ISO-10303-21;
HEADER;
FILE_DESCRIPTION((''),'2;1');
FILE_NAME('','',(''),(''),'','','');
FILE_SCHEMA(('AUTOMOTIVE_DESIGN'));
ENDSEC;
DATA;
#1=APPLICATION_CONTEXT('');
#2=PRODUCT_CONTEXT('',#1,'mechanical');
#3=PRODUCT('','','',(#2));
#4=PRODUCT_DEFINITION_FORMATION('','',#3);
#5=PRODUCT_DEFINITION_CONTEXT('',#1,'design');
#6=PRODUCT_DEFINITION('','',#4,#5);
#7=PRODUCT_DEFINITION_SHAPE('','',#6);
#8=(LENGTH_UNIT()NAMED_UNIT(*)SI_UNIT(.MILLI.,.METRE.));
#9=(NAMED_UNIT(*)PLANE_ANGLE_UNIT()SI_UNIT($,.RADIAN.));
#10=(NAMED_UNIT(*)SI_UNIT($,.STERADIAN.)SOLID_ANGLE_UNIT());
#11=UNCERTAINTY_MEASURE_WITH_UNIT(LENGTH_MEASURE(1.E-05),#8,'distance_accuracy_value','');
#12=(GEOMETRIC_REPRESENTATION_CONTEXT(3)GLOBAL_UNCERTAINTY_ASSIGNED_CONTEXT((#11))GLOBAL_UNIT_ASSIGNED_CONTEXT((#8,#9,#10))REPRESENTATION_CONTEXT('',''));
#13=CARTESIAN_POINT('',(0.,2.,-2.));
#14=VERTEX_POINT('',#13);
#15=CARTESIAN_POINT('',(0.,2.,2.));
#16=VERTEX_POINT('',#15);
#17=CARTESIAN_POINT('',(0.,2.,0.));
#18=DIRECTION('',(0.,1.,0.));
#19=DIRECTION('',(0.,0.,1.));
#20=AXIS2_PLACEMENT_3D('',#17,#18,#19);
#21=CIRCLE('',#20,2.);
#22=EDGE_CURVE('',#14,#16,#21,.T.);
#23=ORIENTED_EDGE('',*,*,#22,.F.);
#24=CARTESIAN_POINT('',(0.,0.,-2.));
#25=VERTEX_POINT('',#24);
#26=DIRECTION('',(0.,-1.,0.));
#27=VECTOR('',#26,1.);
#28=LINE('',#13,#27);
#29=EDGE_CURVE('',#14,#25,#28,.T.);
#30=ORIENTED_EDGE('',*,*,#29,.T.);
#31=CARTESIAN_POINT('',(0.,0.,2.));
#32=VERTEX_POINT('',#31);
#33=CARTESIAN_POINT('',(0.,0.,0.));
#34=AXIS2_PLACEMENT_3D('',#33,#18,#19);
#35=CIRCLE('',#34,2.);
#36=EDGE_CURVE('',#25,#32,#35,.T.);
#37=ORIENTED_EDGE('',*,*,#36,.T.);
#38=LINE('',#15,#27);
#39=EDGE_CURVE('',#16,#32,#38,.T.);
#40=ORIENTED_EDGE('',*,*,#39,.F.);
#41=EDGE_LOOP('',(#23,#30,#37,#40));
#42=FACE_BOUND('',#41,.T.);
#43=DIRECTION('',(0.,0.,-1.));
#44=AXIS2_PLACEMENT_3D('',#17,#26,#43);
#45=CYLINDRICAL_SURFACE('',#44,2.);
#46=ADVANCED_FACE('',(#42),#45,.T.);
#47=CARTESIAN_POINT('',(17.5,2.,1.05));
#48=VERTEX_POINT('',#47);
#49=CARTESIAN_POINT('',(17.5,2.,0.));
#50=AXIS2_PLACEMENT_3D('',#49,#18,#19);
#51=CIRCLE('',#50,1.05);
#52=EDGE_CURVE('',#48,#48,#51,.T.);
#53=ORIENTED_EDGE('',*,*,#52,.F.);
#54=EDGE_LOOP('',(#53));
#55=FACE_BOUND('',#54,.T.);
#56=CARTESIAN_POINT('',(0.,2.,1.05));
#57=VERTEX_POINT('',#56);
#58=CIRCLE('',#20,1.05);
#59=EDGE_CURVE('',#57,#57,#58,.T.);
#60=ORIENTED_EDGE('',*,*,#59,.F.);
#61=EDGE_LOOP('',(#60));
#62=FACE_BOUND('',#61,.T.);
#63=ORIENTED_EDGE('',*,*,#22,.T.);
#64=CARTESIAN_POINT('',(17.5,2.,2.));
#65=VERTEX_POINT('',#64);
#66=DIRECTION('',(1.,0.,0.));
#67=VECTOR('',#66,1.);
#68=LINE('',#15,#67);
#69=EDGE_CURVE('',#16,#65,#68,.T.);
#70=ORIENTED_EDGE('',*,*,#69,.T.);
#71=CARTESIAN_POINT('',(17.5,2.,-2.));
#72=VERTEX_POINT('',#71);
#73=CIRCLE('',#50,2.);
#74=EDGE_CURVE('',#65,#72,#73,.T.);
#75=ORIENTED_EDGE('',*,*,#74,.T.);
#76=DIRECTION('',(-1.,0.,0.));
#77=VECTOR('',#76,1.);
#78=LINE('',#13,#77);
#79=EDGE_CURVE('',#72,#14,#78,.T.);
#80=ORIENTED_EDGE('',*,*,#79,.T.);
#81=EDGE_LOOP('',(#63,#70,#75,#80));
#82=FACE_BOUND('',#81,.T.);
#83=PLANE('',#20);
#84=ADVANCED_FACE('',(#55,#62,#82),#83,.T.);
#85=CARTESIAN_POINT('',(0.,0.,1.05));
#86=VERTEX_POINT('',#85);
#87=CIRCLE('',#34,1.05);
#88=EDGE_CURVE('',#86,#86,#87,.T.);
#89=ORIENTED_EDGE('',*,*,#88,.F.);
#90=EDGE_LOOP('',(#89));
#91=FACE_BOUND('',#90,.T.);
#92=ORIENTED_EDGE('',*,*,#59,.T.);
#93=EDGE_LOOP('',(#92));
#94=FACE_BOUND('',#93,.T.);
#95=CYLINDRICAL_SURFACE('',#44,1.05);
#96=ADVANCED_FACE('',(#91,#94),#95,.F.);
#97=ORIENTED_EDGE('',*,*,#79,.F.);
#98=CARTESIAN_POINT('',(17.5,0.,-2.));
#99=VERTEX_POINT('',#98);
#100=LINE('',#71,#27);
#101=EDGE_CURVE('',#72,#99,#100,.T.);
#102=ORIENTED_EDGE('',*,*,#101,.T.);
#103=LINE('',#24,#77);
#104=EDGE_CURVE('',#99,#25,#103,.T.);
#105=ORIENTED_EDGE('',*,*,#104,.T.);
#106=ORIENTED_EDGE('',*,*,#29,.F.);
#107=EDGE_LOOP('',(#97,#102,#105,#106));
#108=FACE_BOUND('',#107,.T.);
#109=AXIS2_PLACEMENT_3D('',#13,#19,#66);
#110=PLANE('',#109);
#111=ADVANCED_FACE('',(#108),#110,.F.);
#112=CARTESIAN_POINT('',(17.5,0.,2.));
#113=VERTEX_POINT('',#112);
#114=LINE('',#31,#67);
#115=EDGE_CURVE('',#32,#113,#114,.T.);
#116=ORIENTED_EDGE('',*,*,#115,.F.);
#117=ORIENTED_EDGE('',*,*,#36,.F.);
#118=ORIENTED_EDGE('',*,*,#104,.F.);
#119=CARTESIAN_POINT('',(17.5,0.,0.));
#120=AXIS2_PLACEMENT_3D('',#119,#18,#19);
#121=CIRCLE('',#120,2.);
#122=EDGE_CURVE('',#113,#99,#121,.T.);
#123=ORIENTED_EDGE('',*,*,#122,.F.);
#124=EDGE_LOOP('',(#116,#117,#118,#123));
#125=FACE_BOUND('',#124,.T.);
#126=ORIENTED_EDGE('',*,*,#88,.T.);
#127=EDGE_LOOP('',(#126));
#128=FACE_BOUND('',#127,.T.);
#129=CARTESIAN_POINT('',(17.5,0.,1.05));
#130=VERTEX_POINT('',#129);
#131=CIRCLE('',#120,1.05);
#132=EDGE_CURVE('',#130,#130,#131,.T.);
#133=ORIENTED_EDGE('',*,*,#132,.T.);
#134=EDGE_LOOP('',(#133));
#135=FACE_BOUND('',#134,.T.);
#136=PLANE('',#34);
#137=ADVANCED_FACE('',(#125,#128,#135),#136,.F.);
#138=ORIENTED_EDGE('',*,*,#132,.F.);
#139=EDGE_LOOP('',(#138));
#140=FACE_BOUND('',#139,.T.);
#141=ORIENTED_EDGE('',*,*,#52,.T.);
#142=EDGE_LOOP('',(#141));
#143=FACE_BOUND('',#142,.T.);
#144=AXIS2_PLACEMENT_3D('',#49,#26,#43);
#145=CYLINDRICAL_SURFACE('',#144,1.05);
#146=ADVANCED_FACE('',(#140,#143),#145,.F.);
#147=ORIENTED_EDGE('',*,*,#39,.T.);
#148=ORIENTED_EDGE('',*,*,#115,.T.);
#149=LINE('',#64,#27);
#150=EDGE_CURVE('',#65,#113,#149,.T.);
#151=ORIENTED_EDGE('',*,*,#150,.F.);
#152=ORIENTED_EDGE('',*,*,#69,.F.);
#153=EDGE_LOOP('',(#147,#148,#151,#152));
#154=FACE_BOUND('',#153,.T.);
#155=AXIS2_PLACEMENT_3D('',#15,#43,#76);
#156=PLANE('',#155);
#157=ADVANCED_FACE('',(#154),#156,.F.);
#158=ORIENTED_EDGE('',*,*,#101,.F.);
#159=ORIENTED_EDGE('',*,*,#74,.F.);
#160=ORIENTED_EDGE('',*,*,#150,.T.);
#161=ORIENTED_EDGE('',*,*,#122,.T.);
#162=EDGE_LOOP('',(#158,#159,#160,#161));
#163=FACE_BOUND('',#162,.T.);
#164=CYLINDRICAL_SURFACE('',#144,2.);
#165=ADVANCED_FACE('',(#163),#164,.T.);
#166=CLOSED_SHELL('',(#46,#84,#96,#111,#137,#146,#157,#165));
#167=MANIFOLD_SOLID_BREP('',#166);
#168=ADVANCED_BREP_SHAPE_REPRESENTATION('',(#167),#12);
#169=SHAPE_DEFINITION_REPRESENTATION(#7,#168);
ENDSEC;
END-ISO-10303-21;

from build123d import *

# Parameters (mm, degrees)
SKETCH1_R           = 1.05
BOSS_EXTRUDE1_DEPTH = 2


with BuildPart() as part:
    # Sketch1 → Boss-Extrude1 (new body)
    with BuildSketch(Plane(origin=(0, 0, 0), x_dir=(1, 0, 0), z_dir=(0, 1, 0))):
        with BuildLine():
            Line((0, 2), (17.5, 2))
            ThreePointArc((17.5, 2), (19.5, 0), (17.5, -2))
            Line((17.5, -2), (0, -2))
            ThreePointArc((0, -2), (-2, 0), (0, 2))
        make_face()
        with Locations(Location((0, 0, 0), (0, 0, 270))):
            Circle(SKETCH1_R, mode=Mode.SUBTRACT)
        with Locations(Location((17.5, 0, 0), (0, 0, 270))):
            Circle(SKETCH1_R, mode=Mode.SUBTRACT)
    extrude(amount=BOSS_EXTRUDE1_DEPTH)


solid = part.part
